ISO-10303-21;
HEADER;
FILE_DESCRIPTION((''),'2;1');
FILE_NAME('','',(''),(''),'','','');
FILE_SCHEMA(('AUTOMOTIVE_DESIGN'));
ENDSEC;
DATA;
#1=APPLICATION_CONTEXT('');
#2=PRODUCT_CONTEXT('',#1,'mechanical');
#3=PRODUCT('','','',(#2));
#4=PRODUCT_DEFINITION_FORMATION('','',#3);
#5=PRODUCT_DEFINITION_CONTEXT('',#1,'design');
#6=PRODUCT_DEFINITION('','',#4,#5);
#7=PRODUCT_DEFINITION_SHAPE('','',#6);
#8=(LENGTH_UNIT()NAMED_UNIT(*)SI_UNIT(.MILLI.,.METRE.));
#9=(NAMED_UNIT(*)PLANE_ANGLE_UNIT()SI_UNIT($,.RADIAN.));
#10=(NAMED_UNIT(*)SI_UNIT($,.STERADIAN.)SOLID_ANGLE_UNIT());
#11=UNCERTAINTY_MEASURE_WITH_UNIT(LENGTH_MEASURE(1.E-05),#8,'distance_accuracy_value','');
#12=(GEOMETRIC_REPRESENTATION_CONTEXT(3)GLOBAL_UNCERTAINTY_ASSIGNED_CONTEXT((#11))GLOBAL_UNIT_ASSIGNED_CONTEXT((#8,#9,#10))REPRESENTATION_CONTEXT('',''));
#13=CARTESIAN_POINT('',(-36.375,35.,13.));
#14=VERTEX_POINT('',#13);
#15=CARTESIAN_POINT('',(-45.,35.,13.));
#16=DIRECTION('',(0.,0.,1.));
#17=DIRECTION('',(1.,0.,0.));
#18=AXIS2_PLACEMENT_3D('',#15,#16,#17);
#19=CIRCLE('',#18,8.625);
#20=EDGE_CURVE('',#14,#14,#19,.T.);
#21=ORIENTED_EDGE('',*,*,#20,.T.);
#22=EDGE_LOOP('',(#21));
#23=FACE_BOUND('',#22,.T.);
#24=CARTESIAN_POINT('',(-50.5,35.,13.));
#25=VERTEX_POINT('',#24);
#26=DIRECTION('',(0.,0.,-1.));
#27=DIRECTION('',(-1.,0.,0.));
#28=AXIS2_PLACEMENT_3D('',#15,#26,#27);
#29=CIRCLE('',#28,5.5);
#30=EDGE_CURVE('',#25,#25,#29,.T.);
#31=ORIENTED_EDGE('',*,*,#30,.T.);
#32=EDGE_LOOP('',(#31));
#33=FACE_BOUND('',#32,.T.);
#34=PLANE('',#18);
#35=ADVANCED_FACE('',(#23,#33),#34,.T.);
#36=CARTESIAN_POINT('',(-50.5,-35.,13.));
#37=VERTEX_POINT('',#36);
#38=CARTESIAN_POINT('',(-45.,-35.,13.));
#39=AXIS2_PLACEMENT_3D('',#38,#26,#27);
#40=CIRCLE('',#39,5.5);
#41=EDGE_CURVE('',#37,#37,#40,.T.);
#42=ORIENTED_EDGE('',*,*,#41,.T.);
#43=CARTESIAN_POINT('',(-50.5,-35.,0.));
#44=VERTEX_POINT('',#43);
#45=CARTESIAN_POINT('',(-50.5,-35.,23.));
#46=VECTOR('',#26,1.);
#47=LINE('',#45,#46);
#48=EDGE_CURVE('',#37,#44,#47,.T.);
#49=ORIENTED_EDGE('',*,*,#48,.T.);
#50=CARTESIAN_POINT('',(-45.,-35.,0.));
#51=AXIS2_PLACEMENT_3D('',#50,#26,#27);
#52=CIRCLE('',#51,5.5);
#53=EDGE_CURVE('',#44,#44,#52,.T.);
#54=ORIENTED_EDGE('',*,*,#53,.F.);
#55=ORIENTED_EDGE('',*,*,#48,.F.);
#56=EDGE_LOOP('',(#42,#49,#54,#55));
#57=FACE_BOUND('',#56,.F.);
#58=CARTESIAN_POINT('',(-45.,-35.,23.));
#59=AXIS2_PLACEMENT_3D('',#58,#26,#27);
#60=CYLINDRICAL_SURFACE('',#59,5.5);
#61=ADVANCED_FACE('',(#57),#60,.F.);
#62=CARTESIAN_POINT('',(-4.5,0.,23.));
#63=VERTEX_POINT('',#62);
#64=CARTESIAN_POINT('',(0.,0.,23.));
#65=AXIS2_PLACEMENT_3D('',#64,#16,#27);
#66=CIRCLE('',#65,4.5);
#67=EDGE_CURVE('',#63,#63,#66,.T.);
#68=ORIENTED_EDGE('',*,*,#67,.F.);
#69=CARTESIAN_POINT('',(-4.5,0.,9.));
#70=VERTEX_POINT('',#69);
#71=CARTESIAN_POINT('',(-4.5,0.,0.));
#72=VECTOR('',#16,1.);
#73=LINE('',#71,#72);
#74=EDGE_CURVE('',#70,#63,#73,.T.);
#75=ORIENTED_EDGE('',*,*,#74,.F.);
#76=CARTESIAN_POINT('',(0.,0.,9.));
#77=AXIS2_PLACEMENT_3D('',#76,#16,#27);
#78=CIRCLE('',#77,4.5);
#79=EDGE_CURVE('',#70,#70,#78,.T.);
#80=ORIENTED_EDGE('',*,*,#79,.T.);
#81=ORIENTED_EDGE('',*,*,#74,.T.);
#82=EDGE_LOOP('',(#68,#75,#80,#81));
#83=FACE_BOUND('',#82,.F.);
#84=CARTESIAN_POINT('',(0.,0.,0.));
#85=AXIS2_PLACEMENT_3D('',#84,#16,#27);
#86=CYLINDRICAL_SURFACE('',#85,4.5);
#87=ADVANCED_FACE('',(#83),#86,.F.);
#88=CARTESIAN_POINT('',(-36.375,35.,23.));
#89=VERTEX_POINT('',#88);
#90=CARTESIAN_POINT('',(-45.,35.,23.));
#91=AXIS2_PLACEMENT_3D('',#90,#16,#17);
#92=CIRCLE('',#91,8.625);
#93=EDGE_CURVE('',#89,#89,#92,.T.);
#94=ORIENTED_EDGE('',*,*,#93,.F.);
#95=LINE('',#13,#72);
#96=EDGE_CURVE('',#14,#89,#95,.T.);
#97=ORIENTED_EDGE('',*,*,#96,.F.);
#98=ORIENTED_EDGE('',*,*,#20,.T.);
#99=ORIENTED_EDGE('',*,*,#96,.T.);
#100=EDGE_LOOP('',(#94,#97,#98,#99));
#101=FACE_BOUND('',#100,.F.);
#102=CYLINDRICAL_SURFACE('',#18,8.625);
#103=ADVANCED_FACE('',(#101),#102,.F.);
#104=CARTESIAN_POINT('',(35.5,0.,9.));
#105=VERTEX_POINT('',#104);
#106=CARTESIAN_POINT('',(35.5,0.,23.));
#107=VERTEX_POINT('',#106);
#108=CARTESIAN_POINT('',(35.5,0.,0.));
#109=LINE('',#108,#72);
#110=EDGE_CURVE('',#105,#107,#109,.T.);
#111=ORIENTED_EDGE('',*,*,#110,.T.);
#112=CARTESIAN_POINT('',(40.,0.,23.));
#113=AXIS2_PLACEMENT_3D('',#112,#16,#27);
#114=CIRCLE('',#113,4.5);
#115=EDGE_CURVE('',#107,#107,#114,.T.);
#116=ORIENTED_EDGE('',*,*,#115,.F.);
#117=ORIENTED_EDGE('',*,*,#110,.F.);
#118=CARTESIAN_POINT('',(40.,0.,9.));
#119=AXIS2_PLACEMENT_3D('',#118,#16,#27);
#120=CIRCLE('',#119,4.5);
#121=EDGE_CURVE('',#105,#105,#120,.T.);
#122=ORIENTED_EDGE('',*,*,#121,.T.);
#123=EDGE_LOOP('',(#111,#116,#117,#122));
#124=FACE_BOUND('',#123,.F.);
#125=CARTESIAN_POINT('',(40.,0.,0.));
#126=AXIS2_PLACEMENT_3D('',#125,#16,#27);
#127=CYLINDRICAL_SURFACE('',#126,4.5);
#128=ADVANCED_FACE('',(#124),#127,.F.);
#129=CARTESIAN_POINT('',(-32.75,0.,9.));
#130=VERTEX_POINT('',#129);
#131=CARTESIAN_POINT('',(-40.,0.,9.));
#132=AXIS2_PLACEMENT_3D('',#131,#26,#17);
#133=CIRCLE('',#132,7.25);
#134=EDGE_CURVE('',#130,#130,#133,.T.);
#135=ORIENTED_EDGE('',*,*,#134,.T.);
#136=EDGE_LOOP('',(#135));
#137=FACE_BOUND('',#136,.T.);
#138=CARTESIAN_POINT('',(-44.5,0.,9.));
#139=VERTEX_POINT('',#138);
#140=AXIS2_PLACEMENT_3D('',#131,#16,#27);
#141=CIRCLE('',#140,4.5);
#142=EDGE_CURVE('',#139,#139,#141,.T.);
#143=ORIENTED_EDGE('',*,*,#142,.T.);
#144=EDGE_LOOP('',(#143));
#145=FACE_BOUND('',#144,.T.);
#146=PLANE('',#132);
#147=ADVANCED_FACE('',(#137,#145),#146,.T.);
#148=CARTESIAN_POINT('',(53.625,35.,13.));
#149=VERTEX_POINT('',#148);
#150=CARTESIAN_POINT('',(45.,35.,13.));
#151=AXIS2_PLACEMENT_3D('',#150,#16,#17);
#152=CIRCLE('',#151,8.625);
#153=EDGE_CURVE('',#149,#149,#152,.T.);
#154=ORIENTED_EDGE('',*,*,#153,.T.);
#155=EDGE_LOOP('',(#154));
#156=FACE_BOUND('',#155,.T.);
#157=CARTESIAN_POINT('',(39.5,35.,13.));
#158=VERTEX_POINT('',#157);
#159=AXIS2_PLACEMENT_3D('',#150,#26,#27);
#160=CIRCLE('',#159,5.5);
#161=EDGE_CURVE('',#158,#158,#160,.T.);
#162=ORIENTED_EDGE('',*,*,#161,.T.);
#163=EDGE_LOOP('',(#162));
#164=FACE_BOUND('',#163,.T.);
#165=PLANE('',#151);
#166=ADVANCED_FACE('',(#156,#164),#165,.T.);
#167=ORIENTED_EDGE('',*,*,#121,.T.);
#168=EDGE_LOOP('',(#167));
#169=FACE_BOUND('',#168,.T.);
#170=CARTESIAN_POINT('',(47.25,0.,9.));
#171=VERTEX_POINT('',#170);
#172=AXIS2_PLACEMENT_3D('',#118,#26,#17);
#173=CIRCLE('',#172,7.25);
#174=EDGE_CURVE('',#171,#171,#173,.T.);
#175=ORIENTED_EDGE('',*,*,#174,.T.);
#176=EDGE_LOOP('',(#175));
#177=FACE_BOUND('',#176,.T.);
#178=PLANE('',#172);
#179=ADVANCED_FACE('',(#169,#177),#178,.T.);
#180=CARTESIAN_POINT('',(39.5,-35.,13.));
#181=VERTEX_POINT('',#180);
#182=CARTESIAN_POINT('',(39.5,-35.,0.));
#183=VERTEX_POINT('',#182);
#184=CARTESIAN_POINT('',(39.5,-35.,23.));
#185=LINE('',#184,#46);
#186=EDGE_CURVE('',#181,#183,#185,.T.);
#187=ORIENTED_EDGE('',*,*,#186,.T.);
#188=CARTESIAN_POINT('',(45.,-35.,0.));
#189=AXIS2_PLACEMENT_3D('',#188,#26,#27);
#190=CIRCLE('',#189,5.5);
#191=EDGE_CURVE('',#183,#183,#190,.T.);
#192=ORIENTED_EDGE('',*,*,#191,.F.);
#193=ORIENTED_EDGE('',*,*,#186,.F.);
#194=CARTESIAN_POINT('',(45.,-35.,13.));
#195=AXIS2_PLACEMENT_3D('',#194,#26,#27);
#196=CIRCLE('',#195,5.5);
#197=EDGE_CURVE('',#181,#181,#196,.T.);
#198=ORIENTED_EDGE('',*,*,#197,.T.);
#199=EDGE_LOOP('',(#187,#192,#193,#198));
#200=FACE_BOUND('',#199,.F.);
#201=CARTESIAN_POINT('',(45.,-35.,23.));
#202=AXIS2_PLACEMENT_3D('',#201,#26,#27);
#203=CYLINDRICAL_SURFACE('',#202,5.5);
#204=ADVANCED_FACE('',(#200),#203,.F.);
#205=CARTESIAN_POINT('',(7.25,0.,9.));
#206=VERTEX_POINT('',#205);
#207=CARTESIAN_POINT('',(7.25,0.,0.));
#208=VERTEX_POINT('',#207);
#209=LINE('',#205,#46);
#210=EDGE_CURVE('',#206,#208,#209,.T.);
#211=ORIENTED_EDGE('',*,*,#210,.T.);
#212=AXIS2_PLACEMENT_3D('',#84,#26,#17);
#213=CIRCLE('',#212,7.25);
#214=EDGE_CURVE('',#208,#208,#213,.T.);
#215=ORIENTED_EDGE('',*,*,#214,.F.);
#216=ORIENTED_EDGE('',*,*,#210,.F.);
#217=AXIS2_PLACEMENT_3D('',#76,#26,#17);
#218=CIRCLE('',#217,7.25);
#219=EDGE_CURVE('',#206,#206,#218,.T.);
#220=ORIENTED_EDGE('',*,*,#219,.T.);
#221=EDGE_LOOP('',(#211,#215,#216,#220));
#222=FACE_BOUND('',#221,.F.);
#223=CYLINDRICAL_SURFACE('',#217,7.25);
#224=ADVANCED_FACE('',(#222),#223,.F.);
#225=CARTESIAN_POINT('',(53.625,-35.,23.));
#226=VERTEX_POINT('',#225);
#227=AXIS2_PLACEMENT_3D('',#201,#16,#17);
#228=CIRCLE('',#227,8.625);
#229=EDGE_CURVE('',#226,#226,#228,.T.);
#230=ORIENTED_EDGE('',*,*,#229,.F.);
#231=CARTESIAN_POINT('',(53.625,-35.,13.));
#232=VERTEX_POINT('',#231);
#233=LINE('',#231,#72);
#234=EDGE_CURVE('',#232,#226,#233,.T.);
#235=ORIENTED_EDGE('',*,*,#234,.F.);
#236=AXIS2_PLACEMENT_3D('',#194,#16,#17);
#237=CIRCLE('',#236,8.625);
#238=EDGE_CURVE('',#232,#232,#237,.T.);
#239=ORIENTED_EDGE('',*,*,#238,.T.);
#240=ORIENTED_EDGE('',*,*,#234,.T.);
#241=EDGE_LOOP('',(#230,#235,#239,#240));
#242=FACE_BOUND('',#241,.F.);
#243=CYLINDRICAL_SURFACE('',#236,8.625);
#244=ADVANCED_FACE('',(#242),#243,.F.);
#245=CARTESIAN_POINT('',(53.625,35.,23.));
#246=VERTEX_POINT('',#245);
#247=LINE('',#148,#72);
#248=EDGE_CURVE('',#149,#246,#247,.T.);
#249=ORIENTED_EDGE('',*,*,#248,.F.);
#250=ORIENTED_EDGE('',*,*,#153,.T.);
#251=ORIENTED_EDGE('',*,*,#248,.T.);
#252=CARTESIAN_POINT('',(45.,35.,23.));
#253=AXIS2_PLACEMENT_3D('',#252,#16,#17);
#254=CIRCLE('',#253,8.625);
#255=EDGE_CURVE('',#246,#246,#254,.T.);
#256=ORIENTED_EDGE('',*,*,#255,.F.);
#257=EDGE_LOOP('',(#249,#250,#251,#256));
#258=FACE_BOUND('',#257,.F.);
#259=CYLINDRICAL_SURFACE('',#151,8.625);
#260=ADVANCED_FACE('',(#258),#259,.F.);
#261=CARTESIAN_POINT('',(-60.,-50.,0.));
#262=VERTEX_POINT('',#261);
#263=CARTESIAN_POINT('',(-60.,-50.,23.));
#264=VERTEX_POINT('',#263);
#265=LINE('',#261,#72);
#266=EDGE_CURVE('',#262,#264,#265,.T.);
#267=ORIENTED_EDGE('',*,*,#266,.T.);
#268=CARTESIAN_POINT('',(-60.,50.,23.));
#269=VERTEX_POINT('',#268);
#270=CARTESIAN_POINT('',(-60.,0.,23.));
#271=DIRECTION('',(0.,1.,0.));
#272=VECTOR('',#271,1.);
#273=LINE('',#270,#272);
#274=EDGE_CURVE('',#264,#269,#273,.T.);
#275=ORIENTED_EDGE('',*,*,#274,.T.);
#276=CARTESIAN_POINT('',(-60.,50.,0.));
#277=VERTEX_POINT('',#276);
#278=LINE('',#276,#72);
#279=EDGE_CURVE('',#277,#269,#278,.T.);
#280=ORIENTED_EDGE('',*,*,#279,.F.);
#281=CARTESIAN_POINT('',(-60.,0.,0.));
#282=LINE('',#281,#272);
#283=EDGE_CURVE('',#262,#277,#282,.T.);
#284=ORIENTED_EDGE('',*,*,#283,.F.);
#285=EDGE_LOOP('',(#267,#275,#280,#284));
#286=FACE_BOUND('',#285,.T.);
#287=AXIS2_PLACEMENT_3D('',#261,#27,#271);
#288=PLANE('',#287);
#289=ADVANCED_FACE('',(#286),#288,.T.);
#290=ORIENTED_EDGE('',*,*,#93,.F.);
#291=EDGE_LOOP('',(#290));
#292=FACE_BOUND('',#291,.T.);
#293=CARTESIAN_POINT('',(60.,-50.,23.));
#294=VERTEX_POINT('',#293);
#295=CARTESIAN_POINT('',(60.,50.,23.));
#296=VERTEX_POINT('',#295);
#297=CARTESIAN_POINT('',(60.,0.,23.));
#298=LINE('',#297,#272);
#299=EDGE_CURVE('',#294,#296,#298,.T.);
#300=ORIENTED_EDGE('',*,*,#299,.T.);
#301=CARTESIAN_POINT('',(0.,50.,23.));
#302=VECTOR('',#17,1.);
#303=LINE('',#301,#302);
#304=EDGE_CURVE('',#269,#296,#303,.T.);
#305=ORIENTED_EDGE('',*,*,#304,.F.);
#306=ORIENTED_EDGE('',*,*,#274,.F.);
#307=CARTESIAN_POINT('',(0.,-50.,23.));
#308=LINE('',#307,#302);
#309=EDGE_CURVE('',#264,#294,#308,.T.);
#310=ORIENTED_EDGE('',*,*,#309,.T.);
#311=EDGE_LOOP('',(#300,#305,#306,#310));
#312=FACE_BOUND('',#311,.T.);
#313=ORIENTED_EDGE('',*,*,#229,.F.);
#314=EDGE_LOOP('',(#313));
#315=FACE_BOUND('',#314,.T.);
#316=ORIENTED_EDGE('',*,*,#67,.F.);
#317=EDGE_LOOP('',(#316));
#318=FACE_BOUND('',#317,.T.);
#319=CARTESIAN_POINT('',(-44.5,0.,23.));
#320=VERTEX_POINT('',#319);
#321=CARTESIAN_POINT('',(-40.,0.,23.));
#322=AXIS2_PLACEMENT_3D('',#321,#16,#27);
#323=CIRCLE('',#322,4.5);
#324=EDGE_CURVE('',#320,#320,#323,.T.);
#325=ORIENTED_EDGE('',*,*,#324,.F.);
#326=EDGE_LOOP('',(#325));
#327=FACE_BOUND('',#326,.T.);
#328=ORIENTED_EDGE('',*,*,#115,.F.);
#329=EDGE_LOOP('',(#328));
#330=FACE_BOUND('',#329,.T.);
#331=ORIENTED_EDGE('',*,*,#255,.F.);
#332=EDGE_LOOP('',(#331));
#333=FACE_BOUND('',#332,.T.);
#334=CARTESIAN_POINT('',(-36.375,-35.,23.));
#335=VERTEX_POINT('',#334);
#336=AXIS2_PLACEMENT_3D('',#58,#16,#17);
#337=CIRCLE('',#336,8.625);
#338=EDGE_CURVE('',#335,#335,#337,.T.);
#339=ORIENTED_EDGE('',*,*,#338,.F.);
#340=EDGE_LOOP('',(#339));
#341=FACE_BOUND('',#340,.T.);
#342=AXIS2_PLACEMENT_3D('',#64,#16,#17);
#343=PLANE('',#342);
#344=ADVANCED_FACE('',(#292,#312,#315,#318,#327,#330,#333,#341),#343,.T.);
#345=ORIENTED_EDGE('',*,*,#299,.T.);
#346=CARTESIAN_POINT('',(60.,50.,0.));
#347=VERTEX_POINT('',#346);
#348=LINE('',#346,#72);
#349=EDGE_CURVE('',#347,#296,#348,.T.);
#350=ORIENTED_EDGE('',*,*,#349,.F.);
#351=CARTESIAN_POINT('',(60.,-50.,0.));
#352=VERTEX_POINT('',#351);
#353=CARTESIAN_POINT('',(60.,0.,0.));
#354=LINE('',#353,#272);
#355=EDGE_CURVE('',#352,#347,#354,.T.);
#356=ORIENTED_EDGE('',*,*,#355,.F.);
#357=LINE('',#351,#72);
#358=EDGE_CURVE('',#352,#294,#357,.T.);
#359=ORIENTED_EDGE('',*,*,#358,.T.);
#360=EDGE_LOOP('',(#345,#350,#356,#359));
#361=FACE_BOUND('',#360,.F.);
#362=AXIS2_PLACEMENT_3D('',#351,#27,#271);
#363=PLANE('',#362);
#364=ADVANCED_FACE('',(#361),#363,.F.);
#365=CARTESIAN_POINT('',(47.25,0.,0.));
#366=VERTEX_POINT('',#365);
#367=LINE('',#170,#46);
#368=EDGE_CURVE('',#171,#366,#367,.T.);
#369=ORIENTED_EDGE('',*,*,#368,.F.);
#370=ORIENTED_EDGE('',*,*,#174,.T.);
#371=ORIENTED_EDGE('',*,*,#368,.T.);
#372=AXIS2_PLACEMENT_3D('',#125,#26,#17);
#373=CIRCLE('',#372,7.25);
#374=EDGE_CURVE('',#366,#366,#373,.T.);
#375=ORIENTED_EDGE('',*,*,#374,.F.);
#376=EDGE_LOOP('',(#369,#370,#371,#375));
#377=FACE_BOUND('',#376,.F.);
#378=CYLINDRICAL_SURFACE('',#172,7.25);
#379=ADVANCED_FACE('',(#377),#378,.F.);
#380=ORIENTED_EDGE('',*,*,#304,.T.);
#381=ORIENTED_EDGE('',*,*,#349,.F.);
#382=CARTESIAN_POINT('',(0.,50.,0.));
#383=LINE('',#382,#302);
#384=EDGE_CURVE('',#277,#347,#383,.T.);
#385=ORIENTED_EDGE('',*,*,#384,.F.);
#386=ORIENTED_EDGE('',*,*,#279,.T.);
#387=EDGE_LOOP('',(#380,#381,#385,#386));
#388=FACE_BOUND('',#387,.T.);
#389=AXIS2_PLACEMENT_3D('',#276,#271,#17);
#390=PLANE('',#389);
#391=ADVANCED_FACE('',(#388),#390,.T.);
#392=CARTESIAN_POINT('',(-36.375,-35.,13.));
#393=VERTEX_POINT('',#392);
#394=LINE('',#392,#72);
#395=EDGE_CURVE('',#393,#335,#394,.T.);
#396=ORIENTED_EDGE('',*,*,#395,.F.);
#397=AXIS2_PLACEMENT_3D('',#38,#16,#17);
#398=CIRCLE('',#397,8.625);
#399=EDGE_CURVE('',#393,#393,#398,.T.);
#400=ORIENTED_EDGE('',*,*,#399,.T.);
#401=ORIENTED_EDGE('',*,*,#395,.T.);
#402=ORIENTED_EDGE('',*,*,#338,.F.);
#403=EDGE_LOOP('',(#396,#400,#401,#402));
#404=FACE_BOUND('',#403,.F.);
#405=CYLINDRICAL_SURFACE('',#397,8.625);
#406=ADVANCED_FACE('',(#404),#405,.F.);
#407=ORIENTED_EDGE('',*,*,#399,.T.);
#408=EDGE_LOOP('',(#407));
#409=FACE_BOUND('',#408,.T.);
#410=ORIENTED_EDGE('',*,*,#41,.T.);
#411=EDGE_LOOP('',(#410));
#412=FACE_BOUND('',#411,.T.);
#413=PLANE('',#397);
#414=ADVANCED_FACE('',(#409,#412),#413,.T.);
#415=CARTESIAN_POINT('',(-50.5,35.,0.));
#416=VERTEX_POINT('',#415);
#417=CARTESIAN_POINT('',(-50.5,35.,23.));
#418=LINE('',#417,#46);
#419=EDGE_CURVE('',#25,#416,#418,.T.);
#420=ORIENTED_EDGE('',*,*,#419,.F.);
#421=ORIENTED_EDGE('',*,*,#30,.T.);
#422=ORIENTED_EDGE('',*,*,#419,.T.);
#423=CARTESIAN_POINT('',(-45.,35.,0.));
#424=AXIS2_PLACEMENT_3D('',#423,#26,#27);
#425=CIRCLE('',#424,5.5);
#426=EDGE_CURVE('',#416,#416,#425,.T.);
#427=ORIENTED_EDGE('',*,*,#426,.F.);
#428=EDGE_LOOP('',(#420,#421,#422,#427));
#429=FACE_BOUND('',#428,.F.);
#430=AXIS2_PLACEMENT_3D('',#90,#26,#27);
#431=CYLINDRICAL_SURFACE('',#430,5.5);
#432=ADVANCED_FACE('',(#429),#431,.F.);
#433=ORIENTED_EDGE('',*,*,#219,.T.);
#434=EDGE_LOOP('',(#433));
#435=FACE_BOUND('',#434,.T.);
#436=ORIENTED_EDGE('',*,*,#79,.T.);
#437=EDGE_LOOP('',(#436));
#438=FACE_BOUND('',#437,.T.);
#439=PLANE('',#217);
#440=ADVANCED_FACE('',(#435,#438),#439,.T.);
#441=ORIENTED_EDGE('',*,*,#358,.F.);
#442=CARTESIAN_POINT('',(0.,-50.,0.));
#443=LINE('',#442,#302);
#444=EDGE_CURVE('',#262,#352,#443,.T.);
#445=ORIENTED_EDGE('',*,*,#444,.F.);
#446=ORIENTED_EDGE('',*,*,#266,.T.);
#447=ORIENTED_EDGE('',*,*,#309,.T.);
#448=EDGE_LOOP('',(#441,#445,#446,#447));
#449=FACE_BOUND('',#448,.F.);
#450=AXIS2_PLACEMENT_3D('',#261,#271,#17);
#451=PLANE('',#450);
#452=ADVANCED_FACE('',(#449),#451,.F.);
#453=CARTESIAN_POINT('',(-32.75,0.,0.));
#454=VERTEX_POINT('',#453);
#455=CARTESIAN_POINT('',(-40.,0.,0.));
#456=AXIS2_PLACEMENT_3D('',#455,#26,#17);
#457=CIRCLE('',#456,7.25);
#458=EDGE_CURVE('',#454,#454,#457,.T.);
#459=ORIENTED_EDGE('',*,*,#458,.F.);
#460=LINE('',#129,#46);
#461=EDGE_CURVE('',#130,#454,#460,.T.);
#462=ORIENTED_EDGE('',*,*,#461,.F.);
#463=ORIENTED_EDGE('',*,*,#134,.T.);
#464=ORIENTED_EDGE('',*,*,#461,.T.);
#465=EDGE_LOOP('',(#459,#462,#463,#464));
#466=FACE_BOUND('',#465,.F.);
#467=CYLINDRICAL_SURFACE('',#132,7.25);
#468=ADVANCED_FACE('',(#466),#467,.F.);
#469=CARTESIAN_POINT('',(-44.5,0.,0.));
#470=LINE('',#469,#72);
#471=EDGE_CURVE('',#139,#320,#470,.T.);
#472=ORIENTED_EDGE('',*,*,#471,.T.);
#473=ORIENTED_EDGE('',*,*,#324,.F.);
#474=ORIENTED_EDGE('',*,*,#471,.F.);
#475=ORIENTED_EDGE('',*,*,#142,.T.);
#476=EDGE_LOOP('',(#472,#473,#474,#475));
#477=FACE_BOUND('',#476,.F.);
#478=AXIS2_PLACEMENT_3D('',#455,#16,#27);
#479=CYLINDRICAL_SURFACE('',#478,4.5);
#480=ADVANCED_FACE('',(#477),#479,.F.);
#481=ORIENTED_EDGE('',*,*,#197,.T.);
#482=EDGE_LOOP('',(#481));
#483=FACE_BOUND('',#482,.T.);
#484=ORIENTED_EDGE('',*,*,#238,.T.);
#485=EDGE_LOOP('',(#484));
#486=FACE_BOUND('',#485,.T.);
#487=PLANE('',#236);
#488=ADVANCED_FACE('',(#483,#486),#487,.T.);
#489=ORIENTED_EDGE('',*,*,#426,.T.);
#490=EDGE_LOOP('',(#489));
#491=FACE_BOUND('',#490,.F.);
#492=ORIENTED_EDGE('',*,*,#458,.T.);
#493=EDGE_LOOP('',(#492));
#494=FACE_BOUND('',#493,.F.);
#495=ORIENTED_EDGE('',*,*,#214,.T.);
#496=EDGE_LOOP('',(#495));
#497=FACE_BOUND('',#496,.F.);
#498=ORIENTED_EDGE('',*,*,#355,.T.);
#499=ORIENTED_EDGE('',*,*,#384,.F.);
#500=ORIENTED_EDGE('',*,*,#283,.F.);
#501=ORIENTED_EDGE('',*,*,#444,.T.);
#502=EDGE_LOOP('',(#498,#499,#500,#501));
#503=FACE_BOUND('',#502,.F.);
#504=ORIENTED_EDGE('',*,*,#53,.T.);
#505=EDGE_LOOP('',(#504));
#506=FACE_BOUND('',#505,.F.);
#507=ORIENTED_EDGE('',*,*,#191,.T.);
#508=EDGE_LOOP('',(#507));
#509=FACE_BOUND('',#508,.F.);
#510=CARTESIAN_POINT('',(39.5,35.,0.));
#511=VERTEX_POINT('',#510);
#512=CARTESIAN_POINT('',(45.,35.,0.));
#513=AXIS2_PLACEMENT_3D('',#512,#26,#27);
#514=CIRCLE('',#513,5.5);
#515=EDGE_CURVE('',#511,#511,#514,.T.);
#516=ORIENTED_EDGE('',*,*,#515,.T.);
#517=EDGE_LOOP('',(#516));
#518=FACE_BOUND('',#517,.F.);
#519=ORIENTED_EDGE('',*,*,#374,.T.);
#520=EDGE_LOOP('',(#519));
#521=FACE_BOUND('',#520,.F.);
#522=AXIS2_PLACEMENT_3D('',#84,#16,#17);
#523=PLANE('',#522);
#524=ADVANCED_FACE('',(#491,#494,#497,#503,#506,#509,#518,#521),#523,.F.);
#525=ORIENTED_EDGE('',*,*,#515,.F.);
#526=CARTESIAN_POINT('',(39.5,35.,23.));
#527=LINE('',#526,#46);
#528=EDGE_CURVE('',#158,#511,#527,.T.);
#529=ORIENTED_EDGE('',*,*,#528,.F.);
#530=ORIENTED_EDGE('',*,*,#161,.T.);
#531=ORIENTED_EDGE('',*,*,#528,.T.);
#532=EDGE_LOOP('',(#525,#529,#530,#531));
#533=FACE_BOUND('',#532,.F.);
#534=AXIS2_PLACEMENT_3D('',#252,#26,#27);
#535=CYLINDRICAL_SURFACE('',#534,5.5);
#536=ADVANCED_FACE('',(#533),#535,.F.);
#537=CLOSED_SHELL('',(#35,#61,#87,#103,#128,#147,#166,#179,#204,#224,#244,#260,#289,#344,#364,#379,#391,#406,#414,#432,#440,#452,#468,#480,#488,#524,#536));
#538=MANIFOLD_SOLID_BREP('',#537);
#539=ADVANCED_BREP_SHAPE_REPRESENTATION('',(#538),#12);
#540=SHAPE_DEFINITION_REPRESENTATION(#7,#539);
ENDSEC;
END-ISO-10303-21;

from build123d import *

# Parameters (mm, degrees)
F0_W           = 120
F0_H           = 100
F1_DEPTH       = 23
F3_D           = 9
F3_CBORE_D     = 14.5
F3_CBORE_DEPTH = 9
F5_D           = 11
F5_CBORE_D     = 17.25
F5_CBORE_DEPTH = 10


with BuildPart() as f1:
    # F0 (on Top) → F1 (new body)
    with BuildSketch(Plane.XY):
        Rectangle(F0_W, F0_H)
    extrude(amount=F1_DEPTH)

    # F3 (through all)
    with Locations(Plane(origin=(0, 0, 0), x_dir=(1, 0, 0), z_dir=(0, 0, -1))):
        with Locations((-40, 0), (0, 0), (40, 0)):
            CounterBoreHole(F3_D / 2, F3_CBORE_D / 2, F3_CBORE_DEPTH)

    # F5 (through all)
    with Locations(Plane.XY.offset(23)):
        with Locations((-45, 35), (45, 35), (45, -35), (-45, -35)):
            CounterBoreHole(F5_D / 2, F5_CBORE_D / 2, F5_CBORE_DEPTH)


solid = f1.part
